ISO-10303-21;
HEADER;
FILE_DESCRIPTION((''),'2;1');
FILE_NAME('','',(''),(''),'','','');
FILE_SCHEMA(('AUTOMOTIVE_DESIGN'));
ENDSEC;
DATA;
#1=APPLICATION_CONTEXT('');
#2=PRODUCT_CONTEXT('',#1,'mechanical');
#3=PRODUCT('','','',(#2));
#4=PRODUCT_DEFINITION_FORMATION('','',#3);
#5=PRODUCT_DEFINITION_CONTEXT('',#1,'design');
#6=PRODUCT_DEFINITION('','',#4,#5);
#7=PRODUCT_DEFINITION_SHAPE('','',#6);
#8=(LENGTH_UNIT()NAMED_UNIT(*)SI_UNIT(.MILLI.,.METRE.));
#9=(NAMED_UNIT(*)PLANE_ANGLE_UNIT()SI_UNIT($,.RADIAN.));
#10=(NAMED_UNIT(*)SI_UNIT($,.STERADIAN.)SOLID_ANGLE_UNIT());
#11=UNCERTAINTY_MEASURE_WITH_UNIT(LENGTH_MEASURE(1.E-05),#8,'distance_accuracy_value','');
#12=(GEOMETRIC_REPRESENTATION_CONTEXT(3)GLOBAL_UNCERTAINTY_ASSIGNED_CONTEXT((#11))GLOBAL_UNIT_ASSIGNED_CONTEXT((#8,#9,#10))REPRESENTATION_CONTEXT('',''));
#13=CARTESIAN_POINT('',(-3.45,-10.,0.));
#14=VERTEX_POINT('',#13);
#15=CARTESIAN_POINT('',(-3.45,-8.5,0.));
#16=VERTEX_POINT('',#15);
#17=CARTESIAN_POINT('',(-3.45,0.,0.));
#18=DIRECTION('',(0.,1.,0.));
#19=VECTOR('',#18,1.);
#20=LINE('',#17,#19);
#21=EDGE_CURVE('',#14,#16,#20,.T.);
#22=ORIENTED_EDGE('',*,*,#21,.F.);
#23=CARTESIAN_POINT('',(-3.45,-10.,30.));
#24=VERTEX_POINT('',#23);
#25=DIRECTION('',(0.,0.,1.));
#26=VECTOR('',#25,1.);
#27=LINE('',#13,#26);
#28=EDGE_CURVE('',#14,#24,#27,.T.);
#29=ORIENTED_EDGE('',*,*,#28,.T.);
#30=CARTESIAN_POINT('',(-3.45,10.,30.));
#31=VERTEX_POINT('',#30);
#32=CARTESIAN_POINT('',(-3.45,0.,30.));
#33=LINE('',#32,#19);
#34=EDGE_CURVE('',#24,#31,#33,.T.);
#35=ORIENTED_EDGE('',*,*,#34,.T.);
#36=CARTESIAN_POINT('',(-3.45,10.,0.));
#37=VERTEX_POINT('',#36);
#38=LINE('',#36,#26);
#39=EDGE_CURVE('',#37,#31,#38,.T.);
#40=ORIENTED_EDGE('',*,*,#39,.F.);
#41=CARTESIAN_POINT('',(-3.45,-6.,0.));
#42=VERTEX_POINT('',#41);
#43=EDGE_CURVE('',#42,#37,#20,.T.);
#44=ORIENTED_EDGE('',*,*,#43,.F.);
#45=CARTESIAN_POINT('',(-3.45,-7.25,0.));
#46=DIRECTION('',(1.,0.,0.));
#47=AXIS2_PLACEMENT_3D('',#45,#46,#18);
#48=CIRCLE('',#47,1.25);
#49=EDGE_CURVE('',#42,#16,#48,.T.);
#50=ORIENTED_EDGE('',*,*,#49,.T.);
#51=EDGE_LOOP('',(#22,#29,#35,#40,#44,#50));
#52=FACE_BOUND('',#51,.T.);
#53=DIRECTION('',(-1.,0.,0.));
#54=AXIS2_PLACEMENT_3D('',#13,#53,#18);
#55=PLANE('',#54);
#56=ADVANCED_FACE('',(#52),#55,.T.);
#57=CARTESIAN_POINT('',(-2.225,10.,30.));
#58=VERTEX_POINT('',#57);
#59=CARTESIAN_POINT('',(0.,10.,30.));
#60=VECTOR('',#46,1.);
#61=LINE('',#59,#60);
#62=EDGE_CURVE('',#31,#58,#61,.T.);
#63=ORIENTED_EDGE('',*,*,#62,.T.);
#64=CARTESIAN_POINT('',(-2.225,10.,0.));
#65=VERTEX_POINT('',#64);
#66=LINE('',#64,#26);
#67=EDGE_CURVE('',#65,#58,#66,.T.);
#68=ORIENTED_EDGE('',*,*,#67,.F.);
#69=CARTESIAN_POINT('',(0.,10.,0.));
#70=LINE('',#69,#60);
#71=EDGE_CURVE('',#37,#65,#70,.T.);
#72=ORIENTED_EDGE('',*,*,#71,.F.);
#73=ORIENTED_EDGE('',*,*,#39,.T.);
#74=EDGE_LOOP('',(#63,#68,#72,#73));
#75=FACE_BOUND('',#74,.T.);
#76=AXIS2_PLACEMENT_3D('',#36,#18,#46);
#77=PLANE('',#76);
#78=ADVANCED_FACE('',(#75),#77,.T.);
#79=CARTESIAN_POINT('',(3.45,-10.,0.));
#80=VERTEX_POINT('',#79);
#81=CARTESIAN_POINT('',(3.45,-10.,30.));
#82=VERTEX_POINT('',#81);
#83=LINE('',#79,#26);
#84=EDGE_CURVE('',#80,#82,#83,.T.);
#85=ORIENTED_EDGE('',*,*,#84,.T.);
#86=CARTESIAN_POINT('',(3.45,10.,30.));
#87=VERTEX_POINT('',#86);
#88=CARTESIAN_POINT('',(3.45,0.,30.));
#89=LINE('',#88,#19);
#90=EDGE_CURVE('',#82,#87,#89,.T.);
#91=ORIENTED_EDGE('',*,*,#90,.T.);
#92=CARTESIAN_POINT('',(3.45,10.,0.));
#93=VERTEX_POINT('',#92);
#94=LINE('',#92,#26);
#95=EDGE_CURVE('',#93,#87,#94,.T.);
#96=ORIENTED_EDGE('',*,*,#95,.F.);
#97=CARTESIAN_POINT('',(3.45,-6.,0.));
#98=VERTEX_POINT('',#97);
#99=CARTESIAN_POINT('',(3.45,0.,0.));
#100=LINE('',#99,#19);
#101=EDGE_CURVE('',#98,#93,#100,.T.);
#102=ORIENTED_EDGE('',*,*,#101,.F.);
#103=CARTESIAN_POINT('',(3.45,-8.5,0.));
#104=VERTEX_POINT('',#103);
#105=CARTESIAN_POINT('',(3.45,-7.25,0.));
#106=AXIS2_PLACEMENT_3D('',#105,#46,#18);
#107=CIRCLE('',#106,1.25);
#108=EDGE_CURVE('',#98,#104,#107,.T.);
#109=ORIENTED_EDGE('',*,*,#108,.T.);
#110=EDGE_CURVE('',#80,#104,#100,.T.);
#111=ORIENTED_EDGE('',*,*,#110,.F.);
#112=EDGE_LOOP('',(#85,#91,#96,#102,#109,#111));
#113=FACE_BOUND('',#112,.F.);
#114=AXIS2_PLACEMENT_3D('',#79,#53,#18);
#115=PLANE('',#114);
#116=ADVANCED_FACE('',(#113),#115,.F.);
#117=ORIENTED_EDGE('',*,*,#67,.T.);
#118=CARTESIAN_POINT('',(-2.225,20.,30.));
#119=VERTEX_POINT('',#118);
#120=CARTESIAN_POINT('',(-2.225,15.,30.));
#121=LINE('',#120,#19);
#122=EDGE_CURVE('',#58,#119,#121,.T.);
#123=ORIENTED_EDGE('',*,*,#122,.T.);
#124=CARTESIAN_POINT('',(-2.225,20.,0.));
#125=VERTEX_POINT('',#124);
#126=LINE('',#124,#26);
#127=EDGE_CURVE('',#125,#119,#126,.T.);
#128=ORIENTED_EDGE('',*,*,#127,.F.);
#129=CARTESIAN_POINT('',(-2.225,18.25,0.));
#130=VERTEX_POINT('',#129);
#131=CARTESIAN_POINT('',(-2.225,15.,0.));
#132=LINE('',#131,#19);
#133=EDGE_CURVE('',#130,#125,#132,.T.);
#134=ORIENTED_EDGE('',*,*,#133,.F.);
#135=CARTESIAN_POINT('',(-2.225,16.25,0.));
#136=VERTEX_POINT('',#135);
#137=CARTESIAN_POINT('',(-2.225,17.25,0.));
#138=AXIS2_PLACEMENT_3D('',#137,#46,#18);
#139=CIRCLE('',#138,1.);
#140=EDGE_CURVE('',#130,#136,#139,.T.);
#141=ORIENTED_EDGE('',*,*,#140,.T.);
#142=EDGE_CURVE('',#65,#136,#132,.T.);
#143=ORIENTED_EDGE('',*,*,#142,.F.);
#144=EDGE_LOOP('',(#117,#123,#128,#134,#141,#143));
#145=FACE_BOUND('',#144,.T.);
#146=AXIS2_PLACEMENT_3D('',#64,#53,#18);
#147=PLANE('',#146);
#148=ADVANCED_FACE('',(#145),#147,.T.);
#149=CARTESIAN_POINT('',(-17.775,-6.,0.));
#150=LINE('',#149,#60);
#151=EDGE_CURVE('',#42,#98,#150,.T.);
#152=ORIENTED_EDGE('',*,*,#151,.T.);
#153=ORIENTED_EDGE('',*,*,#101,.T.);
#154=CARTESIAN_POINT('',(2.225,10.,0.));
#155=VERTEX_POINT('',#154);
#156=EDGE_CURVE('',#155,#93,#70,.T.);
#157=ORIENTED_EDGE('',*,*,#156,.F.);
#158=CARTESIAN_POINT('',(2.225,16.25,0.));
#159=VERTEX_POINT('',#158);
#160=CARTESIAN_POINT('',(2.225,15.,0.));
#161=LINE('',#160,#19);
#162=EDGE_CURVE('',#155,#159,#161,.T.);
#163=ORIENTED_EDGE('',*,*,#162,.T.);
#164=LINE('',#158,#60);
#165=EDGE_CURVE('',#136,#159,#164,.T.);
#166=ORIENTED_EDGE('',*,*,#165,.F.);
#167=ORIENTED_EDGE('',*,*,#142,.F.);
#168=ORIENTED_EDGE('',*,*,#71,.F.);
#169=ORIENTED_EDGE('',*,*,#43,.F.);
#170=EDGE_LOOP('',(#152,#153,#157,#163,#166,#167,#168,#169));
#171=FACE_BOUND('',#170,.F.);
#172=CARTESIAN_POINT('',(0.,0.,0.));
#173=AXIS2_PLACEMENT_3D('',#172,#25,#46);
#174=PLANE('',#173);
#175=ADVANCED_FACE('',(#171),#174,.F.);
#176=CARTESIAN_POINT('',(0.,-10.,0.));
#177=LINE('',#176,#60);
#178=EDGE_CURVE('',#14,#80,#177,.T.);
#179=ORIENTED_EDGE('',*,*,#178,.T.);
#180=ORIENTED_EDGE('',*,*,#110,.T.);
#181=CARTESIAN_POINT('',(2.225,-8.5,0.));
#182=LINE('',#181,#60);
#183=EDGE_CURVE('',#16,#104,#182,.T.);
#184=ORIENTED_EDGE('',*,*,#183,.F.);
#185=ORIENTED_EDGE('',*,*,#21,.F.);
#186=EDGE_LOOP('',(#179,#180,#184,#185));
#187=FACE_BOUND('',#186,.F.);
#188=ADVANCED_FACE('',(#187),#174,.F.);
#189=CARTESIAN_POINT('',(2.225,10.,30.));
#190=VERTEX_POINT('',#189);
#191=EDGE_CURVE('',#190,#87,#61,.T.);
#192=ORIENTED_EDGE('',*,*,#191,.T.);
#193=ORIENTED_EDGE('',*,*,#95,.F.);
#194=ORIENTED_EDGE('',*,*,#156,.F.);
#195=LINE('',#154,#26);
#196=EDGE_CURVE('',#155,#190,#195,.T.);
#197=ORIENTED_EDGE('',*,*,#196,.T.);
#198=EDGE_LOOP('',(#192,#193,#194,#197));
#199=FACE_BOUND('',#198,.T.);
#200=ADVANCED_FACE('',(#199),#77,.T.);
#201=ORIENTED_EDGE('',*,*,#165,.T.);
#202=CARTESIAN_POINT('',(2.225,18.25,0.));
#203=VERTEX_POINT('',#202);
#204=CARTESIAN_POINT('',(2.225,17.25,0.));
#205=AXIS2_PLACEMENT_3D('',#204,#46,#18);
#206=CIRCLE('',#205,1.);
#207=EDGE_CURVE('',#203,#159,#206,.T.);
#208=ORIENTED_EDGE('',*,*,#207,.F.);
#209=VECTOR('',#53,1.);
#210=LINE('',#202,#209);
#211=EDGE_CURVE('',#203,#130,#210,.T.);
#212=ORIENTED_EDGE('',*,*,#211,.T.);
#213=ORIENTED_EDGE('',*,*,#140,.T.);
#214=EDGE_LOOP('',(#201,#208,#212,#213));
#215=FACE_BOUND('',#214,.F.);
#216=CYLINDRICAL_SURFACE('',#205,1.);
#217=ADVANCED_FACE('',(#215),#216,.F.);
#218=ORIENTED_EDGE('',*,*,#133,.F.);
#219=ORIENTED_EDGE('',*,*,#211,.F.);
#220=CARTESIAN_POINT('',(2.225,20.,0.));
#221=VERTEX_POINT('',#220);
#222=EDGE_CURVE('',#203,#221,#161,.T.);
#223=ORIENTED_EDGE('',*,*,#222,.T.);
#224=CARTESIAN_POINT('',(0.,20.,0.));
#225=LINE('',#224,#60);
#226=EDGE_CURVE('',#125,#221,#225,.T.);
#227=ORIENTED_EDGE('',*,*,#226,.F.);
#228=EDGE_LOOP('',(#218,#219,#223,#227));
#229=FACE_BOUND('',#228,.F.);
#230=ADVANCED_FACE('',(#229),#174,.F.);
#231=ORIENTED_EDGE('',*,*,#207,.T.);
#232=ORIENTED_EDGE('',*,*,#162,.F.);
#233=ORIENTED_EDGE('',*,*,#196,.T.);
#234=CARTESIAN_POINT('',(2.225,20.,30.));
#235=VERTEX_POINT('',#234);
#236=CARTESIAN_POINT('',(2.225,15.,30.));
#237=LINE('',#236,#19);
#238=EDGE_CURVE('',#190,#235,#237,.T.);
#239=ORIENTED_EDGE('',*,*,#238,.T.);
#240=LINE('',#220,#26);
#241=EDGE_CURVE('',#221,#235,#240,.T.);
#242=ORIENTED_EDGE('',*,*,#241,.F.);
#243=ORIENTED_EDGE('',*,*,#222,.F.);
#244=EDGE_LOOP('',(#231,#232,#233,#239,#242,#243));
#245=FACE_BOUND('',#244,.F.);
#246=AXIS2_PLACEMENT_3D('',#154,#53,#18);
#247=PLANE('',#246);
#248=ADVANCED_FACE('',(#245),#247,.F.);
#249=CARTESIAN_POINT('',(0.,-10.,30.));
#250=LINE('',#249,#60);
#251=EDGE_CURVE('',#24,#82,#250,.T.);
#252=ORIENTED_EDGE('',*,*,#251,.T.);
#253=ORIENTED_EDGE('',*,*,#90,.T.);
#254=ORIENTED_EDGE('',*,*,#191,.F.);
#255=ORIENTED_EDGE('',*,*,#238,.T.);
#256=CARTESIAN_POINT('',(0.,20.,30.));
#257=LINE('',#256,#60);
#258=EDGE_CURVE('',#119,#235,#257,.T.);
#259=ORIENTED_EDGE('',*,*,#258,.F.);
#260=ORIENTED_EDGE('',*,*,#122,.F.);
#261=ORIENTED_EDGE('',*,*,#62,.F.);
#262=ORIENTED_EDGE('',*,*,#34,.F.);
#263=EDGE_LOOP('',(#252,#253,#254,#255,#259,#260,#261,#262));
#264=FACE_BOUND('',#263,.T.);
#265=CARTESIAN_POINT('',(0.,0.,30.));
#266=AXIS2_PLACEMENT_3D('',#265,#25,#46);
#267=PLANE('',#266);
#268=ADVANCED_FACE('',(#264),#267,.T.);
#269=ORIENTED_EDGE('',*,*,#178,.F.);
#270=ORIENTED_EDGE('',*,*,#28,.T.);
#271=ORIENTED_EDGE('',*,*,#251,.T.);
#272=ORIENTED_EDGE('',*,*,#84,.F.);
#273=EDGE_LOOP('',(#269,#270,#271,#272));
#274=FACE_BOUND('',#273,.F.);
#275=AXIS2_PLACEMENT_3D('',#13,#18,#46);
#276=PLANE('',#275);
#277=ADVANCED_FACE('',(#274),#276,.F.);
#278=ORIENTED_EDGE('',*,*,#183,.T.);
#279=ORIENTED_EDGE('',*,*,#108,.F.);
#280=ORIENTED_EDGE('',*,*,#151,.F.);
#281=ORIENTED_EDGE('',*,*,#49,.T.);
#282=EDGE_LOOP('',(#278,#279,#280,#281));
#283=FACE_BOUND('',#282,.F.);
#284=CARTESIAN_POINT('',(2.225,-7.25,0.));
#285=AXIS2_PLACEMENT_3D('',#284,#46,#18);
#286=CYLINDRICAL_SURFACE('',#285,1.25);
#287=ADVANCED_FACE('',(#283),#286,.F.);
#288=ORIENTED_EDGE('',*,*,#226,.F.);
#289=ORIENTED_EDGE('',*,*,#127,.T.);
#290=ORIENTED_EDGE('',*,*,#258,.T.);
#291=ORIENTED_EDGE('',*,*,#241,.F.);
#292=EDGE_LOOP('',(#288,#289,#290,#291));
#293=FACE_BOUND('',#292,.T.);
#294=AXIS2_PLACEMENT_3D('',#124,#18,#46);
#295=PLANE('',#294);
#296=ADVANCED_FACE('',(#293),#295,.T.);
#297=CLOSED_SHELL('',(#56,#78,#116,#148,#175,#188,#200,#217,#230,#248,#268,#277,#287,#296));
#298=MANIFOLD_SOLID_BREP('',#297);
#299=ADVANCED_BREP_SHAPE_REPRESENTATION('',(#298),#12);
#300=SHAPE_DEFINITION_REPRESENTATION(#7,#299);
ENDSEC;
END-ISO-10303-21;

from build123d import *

# Parameters (mm, degrees)
SKETCH_W      = 6.9
SKETCH_H      = 20
PAD_DEPTH     = 30
SKETCH001_W   = 4.45
SKETCH001_H   = 10
PAD001_DEPTH  = 30
SKETCH002_R   = 1
SKETCH002_R_2 = 1.25
POCKET_DEPTH  = 20


with BuildPart() as part:
    # Sketch → Pad (new body)
    with BuildSketch(Plane.XY):
        Rectangle(SKETCH_W, SKETCH_H)
    extrude(amount=PAD_DEPTH)

    # Sketch001 → Pad001 (join)
    with BuildSketch(Plane.XY):
        with Locations((0, 15)):
            Rectangle(SKETCH001_W, SKETCH001_H)
    extrude(amount=PAD001_DEPTH)

    # Sketch002 (on Face4 of Pad001) → Pocket (cut, symmetric)
    with BuildSketch(Plane.YZ.offset(2.225)):
        with Locations((17.25, 0)):
            Circle(SKETCH002_R)
        with Locations((-7.25, 0)):
            Circle(SKETCH002_R_2)
    extrude(amount=POCKET_DEPTH, both=True, mode=Mode.SUBTRACT)


solid = part.part
